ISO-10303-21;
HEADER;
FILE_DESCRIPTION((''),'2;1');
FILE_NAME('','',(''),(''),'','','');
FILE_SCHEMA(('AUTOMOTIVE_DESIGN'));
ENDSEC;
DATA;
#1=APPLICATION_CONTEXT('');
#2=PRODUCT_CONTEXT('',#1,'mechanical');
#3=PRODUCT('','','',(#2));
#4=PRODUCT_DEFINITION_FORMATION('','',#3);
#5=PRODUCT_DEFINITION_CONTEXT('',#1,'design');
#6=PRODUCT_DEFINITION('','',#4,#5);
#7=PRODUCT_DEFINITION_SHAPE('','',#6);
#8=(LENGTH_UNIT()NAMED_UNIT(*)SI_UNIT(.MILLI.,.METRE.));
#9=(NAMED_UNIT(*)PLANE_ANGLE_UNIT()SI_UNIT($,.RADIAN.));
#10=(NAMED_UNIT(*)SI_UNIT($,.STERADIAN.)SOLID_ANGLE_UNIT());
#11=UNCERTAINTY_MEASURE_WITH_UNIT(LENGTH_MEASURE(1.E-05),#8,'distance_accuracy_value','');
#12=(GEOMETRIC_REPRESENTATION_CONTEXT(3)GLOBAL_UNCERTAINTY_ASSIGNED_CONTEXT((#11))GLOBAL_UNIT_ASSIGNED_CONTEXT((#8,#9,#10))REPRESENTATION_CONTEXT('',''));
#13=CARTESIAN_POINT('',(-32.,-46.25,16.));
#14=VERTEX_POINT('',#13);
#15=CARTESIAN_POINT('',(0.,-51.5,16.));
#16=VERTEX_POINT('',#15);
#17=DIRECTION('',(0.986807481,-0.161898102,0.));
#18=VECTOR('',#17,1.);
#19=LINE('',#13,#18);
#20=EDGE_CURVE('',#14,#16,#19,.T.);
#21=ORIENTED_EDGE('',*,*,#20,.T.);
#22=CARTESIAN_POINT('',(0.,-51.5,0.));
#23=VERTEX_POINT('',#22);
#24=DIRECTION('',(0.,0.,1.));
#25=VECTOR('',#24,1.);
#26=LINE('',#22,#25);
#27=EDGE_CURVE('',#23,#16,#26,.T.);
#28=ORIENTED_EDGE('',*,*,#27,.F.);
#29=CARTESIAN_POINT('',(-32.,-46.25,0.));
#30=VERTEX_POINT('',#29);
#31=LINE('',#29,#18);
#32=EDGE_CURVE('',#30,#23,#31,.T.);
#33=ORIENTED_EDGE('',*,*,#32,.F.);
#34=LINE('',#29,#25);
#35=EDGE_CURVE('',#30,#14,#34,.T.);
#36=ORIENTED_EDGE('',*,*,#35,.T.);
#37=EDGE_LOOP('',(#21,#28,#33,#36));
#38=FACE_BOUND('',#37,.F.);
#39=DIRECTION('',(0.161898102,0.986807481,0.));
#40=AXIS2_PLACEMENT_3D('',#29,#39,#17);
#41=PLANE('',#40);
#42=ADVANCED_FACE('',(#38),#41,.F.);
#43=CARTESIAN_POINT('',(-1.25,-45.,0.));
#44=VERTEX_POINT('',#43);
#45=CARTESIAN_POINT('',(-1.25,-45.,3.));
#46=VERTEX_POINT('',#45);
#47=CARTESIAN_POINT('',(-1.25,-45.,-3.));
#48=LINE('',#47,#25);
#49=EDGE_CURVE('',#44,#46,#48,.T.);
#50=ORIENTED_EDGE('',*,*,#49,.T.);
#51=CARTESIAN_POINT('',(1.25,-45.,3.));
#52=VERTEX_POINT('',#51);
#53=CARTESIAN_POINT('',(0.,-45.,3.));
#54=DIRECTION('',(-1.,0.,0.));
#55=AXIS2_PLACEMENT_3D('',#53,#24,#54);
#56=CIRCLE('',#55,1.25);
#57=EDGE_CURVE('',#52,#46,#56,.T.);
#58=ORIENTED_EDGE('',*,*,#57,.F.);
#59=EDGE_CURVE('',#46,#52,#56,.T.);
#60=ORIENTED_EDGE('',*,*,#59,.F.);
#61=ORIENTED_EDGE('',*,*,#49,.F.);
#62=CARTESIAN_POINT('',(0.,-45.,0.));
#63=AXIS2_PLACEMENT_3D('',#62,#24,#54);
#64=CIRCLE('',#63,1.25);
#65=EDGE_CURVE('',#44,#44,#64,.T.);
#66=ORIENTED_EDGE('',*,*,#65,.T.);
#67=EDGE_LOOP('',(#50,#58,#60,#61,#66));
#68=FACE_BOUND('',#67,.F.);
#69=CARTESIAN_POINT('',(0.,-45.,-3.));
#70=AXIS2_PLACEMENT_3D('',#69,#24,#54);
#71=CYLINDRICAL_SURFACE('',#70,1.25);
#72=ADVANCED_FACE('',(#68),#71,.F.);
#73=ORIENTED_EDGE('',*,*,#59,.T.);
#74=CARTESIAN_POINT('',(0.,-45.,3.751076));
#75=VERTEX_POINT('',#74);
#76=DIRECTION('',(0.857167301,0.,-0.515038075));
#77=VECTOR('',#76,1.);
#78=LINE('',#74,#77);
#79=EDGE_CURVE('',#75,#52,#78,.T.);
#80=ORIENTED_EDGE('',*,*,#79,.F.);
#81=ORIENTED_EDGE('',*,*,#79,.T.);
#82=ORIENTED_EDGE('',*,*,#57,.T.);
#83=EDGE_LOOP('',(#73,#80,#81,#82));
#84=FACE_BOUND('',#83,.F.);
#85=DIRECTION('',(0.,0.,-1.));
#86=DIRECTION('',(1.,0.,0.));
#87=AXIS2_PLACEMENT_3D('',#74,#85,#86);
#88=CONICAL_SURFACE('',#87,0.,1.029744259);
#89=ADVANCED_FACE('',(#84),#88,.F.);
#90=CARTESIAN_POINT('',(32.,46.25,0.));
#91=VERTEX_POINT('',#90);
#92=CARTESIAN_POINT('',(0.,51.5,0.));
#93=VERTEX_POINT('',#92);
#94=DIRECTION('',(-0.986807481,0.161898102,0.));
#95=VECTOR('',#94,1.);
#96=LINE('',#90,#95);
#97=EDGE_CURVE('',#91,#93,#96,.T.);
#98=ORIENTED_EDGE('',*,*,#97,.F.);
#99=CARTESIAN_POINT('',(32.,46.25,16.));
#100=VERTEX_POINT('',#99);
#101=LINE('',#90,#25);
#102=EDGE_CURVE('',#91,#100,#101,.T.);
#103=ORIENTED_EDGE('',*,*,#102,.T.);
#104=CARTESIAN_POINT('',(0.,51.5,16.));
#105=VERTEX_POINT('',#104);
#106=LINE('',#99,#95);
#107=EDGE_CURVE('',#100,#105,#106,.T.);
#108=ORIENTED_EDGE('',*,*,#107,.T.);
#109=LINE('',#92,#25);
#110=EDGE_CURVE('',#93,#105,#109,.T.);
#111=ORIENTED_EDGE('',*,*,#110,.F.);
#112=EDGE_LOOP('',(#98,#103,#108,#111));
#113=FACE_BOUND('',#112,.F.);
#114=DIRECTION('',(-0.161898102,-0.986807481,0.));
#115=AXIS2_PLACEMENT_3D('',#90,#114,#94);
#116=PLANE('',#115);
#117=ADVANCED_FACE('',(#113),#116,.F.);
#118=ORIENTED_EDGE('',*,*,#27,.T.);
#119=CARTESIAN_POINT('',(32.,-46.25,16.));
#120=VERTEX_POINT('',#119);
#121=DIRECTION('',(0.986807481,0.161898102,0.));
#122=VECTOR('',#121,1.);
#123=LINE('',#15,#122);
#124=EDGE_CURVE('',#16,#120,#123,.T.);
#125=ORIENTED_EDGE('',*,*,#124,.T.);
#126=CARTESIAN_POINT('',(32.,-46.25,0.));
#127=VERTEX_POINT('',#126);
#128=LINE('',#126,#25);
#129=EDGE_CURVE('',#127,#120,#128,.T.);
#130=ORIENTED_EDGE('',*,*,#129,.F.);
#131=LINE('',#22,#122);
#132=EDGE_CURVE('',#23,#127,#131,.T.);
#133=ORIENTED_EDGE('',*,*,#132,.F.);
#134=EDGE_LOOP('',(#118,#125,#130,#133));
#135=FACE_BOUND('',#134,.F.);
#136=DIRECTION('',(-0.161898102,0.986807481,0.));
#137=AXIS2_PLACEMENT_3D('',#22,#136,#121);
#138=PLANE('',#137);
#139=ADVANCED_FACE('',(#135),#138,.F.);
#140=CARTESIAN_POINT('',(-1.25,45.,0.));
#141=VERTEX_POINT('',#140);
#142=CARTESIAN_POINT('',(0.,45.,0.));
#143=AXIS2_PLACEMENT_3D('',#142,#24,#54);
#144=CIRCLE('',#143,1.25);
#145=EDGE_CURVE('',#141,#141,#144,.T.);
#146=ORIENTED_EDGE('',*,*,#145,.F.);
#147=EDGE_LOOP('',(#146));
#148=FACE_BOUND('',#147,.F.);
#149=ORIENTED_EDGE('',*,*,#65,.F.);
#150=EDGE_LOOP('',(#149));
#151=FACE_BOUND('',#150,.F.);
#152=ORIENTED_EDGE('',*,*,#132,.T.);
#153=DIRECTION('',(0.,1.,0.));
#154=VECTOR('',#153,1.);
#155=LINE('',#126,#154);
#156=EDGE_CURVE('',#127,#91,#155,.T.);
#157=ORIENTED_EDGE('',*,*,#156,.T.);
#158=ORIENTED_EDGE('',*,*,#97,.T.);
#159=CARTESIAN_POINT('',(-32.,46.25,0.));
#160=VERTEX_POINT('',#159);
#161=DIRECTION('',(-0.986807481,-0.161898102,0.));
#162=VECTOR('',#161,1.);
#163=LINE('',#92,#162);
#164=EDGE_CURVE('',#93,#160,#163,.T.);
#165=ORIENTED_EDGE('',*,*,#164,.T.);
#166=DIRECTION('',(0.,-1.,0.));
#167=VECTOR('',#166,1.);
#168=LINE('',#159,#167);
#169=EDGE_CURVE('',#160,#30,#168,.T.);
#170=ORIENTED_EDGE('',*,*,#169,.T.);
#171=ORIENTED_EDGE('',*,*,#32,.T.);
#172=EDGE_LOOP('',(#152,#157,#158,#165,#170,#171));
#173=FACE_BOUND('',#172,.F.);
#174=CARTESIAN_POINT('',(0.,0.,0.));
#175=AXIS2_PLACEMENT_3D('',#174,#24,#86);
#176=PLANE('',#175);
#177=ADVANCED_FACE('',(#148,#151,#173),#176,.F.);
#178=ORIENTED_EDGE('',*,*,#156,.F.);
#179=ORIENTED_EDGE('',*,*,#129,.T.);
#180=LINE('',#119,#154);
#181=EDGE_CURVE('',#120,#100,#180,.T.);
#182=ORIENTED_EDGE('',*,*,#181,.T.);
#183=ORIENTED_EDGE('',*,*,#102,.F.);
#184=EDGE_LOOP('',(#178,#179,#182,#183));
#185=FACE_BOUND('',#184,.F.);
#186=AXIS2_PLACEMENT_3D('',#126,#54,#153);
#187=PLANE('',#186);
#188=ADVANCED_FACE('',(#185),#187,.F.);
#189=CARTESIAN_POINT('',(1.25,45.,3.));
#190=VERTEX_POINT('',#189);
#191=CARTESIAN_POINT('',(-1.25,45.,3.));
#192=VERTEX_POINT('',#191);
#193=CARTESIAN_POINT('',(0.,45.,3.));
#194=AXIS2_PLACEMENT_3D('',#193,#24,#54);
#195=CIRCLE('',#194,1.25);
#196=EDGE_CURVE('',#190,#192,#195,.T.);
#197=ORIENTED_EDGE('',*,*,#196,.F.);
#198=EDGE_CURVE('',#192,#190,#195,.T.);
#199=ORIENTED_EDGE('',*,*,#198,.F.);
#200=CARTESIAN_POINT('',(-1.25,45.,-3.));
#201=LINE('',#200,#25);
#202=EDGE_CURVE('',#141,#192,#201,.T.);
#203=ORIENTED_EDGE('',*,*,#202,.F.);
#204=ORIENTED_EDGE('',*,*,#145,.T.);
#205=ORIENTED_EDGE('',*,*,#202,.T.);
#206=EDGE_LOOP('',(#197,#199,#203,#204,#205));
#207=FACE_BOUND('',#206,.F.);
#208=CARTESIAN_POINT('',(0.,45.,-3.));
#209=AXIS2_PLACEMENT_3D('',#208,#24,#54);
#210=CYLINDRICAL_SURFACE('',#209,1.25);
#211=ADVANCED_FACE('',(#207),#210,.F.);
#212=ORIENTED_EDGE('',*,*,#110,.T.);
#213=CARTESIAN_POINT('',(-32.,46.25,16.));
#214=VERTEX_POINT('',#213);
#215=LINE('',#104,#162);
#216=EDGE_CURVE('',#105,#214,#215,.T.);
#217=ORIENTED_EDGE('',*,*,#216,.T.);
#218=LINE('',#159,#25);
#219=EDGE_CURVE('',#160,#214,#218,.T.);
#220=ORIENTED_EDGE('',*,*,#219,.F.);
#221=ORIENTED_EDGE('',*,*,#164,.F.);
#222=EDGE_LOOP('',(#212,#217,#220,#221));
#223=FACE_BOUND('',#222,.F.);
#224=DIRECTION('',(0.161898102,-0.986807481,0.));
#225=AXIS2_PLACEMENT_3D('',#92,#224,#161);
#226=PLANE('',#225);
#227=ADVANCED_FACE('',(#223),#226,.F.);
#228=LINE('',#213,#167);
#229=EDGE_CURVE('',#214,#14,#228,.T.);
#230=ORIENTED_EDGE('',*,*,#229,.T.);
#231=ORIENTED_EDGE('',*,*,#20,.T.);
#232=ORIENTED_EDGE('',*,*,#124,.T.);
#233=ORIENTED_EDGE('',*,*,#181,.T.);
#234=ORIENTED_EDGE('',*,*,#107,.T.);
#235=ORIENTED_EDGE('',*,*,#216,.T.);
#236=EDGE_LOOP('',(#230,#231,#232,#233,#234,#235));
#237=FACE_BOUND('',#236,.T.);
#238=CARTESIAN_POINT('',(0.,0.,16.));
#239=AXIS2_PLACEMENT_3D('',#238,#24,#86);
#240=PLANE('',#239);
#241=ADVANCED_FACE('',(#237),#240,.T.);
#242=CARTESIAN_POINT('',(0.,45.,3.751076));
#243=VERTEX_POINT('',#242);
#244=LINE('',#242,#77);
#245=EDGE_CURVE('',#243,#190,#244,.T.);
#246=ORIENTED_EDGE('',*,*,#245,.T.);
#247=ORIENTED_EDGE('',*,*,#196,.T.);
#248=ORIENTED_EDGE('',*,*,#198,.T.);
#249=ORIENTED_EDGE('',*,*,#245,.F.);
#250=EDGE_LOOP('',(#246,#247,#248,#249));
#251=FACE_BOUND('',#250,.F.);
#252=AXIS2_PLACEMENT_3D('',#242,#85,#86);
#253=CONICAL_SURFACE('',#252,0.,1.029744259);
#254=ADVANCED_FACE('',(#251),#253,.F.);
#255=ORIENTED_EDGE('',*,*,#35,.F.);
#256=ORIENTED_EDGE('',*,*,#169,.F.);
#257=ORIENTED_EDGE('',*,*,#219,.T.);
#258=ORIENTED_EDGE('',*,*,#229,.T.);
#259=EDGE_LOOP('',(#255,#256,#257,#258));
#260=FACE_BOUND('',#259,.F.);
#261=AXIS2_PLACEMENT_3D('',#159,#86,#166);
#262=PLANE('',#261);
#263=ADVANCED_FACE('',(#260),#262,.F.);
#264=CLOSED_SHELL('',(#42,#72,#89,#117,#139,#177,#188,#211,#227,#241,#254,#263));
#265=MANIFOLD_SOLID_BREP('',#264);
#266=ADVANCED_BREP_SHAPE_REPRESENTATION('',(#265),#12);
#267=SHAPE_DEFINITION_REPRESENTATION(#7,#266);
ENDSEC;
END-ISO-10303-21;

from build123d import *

# Parameters (mm, degrees)
F1_DEPTH = 16
F2_D     = 2.5
F2_DEPTH = 3
F2_TIP   = 0.7510757738


with BuildPart() as f1:
    # F0 (on Top) → F1 (new body)
    with BuildSketch(Plane.XY):
        Polygon((32, 46.25), (0, 51.5), (-32, 46.25), (-32, 0), (-32, -46.25), (0, -51.5), (32, -46.25), (32, 0), align=None)
    extrude(amount=F1_DEPTH)

    # F2
    with Locations(Plane(origin=(0, 0, 0), x_dir=(1, 0, 0), z_dir=(0, 0, -1))):
        with Locations((0, 45), (0, -45)):
            Hole(F2_D / 2, depth=F2_DEPTH)
            with Locations((0, 0, -(F2_DEPTH + F2_TIP / 2))):  # 118° drill point
                Cone(0, F2_D / 2, F2_TIP, mode=Mode.SUBTRACT)


solid = f1.part
